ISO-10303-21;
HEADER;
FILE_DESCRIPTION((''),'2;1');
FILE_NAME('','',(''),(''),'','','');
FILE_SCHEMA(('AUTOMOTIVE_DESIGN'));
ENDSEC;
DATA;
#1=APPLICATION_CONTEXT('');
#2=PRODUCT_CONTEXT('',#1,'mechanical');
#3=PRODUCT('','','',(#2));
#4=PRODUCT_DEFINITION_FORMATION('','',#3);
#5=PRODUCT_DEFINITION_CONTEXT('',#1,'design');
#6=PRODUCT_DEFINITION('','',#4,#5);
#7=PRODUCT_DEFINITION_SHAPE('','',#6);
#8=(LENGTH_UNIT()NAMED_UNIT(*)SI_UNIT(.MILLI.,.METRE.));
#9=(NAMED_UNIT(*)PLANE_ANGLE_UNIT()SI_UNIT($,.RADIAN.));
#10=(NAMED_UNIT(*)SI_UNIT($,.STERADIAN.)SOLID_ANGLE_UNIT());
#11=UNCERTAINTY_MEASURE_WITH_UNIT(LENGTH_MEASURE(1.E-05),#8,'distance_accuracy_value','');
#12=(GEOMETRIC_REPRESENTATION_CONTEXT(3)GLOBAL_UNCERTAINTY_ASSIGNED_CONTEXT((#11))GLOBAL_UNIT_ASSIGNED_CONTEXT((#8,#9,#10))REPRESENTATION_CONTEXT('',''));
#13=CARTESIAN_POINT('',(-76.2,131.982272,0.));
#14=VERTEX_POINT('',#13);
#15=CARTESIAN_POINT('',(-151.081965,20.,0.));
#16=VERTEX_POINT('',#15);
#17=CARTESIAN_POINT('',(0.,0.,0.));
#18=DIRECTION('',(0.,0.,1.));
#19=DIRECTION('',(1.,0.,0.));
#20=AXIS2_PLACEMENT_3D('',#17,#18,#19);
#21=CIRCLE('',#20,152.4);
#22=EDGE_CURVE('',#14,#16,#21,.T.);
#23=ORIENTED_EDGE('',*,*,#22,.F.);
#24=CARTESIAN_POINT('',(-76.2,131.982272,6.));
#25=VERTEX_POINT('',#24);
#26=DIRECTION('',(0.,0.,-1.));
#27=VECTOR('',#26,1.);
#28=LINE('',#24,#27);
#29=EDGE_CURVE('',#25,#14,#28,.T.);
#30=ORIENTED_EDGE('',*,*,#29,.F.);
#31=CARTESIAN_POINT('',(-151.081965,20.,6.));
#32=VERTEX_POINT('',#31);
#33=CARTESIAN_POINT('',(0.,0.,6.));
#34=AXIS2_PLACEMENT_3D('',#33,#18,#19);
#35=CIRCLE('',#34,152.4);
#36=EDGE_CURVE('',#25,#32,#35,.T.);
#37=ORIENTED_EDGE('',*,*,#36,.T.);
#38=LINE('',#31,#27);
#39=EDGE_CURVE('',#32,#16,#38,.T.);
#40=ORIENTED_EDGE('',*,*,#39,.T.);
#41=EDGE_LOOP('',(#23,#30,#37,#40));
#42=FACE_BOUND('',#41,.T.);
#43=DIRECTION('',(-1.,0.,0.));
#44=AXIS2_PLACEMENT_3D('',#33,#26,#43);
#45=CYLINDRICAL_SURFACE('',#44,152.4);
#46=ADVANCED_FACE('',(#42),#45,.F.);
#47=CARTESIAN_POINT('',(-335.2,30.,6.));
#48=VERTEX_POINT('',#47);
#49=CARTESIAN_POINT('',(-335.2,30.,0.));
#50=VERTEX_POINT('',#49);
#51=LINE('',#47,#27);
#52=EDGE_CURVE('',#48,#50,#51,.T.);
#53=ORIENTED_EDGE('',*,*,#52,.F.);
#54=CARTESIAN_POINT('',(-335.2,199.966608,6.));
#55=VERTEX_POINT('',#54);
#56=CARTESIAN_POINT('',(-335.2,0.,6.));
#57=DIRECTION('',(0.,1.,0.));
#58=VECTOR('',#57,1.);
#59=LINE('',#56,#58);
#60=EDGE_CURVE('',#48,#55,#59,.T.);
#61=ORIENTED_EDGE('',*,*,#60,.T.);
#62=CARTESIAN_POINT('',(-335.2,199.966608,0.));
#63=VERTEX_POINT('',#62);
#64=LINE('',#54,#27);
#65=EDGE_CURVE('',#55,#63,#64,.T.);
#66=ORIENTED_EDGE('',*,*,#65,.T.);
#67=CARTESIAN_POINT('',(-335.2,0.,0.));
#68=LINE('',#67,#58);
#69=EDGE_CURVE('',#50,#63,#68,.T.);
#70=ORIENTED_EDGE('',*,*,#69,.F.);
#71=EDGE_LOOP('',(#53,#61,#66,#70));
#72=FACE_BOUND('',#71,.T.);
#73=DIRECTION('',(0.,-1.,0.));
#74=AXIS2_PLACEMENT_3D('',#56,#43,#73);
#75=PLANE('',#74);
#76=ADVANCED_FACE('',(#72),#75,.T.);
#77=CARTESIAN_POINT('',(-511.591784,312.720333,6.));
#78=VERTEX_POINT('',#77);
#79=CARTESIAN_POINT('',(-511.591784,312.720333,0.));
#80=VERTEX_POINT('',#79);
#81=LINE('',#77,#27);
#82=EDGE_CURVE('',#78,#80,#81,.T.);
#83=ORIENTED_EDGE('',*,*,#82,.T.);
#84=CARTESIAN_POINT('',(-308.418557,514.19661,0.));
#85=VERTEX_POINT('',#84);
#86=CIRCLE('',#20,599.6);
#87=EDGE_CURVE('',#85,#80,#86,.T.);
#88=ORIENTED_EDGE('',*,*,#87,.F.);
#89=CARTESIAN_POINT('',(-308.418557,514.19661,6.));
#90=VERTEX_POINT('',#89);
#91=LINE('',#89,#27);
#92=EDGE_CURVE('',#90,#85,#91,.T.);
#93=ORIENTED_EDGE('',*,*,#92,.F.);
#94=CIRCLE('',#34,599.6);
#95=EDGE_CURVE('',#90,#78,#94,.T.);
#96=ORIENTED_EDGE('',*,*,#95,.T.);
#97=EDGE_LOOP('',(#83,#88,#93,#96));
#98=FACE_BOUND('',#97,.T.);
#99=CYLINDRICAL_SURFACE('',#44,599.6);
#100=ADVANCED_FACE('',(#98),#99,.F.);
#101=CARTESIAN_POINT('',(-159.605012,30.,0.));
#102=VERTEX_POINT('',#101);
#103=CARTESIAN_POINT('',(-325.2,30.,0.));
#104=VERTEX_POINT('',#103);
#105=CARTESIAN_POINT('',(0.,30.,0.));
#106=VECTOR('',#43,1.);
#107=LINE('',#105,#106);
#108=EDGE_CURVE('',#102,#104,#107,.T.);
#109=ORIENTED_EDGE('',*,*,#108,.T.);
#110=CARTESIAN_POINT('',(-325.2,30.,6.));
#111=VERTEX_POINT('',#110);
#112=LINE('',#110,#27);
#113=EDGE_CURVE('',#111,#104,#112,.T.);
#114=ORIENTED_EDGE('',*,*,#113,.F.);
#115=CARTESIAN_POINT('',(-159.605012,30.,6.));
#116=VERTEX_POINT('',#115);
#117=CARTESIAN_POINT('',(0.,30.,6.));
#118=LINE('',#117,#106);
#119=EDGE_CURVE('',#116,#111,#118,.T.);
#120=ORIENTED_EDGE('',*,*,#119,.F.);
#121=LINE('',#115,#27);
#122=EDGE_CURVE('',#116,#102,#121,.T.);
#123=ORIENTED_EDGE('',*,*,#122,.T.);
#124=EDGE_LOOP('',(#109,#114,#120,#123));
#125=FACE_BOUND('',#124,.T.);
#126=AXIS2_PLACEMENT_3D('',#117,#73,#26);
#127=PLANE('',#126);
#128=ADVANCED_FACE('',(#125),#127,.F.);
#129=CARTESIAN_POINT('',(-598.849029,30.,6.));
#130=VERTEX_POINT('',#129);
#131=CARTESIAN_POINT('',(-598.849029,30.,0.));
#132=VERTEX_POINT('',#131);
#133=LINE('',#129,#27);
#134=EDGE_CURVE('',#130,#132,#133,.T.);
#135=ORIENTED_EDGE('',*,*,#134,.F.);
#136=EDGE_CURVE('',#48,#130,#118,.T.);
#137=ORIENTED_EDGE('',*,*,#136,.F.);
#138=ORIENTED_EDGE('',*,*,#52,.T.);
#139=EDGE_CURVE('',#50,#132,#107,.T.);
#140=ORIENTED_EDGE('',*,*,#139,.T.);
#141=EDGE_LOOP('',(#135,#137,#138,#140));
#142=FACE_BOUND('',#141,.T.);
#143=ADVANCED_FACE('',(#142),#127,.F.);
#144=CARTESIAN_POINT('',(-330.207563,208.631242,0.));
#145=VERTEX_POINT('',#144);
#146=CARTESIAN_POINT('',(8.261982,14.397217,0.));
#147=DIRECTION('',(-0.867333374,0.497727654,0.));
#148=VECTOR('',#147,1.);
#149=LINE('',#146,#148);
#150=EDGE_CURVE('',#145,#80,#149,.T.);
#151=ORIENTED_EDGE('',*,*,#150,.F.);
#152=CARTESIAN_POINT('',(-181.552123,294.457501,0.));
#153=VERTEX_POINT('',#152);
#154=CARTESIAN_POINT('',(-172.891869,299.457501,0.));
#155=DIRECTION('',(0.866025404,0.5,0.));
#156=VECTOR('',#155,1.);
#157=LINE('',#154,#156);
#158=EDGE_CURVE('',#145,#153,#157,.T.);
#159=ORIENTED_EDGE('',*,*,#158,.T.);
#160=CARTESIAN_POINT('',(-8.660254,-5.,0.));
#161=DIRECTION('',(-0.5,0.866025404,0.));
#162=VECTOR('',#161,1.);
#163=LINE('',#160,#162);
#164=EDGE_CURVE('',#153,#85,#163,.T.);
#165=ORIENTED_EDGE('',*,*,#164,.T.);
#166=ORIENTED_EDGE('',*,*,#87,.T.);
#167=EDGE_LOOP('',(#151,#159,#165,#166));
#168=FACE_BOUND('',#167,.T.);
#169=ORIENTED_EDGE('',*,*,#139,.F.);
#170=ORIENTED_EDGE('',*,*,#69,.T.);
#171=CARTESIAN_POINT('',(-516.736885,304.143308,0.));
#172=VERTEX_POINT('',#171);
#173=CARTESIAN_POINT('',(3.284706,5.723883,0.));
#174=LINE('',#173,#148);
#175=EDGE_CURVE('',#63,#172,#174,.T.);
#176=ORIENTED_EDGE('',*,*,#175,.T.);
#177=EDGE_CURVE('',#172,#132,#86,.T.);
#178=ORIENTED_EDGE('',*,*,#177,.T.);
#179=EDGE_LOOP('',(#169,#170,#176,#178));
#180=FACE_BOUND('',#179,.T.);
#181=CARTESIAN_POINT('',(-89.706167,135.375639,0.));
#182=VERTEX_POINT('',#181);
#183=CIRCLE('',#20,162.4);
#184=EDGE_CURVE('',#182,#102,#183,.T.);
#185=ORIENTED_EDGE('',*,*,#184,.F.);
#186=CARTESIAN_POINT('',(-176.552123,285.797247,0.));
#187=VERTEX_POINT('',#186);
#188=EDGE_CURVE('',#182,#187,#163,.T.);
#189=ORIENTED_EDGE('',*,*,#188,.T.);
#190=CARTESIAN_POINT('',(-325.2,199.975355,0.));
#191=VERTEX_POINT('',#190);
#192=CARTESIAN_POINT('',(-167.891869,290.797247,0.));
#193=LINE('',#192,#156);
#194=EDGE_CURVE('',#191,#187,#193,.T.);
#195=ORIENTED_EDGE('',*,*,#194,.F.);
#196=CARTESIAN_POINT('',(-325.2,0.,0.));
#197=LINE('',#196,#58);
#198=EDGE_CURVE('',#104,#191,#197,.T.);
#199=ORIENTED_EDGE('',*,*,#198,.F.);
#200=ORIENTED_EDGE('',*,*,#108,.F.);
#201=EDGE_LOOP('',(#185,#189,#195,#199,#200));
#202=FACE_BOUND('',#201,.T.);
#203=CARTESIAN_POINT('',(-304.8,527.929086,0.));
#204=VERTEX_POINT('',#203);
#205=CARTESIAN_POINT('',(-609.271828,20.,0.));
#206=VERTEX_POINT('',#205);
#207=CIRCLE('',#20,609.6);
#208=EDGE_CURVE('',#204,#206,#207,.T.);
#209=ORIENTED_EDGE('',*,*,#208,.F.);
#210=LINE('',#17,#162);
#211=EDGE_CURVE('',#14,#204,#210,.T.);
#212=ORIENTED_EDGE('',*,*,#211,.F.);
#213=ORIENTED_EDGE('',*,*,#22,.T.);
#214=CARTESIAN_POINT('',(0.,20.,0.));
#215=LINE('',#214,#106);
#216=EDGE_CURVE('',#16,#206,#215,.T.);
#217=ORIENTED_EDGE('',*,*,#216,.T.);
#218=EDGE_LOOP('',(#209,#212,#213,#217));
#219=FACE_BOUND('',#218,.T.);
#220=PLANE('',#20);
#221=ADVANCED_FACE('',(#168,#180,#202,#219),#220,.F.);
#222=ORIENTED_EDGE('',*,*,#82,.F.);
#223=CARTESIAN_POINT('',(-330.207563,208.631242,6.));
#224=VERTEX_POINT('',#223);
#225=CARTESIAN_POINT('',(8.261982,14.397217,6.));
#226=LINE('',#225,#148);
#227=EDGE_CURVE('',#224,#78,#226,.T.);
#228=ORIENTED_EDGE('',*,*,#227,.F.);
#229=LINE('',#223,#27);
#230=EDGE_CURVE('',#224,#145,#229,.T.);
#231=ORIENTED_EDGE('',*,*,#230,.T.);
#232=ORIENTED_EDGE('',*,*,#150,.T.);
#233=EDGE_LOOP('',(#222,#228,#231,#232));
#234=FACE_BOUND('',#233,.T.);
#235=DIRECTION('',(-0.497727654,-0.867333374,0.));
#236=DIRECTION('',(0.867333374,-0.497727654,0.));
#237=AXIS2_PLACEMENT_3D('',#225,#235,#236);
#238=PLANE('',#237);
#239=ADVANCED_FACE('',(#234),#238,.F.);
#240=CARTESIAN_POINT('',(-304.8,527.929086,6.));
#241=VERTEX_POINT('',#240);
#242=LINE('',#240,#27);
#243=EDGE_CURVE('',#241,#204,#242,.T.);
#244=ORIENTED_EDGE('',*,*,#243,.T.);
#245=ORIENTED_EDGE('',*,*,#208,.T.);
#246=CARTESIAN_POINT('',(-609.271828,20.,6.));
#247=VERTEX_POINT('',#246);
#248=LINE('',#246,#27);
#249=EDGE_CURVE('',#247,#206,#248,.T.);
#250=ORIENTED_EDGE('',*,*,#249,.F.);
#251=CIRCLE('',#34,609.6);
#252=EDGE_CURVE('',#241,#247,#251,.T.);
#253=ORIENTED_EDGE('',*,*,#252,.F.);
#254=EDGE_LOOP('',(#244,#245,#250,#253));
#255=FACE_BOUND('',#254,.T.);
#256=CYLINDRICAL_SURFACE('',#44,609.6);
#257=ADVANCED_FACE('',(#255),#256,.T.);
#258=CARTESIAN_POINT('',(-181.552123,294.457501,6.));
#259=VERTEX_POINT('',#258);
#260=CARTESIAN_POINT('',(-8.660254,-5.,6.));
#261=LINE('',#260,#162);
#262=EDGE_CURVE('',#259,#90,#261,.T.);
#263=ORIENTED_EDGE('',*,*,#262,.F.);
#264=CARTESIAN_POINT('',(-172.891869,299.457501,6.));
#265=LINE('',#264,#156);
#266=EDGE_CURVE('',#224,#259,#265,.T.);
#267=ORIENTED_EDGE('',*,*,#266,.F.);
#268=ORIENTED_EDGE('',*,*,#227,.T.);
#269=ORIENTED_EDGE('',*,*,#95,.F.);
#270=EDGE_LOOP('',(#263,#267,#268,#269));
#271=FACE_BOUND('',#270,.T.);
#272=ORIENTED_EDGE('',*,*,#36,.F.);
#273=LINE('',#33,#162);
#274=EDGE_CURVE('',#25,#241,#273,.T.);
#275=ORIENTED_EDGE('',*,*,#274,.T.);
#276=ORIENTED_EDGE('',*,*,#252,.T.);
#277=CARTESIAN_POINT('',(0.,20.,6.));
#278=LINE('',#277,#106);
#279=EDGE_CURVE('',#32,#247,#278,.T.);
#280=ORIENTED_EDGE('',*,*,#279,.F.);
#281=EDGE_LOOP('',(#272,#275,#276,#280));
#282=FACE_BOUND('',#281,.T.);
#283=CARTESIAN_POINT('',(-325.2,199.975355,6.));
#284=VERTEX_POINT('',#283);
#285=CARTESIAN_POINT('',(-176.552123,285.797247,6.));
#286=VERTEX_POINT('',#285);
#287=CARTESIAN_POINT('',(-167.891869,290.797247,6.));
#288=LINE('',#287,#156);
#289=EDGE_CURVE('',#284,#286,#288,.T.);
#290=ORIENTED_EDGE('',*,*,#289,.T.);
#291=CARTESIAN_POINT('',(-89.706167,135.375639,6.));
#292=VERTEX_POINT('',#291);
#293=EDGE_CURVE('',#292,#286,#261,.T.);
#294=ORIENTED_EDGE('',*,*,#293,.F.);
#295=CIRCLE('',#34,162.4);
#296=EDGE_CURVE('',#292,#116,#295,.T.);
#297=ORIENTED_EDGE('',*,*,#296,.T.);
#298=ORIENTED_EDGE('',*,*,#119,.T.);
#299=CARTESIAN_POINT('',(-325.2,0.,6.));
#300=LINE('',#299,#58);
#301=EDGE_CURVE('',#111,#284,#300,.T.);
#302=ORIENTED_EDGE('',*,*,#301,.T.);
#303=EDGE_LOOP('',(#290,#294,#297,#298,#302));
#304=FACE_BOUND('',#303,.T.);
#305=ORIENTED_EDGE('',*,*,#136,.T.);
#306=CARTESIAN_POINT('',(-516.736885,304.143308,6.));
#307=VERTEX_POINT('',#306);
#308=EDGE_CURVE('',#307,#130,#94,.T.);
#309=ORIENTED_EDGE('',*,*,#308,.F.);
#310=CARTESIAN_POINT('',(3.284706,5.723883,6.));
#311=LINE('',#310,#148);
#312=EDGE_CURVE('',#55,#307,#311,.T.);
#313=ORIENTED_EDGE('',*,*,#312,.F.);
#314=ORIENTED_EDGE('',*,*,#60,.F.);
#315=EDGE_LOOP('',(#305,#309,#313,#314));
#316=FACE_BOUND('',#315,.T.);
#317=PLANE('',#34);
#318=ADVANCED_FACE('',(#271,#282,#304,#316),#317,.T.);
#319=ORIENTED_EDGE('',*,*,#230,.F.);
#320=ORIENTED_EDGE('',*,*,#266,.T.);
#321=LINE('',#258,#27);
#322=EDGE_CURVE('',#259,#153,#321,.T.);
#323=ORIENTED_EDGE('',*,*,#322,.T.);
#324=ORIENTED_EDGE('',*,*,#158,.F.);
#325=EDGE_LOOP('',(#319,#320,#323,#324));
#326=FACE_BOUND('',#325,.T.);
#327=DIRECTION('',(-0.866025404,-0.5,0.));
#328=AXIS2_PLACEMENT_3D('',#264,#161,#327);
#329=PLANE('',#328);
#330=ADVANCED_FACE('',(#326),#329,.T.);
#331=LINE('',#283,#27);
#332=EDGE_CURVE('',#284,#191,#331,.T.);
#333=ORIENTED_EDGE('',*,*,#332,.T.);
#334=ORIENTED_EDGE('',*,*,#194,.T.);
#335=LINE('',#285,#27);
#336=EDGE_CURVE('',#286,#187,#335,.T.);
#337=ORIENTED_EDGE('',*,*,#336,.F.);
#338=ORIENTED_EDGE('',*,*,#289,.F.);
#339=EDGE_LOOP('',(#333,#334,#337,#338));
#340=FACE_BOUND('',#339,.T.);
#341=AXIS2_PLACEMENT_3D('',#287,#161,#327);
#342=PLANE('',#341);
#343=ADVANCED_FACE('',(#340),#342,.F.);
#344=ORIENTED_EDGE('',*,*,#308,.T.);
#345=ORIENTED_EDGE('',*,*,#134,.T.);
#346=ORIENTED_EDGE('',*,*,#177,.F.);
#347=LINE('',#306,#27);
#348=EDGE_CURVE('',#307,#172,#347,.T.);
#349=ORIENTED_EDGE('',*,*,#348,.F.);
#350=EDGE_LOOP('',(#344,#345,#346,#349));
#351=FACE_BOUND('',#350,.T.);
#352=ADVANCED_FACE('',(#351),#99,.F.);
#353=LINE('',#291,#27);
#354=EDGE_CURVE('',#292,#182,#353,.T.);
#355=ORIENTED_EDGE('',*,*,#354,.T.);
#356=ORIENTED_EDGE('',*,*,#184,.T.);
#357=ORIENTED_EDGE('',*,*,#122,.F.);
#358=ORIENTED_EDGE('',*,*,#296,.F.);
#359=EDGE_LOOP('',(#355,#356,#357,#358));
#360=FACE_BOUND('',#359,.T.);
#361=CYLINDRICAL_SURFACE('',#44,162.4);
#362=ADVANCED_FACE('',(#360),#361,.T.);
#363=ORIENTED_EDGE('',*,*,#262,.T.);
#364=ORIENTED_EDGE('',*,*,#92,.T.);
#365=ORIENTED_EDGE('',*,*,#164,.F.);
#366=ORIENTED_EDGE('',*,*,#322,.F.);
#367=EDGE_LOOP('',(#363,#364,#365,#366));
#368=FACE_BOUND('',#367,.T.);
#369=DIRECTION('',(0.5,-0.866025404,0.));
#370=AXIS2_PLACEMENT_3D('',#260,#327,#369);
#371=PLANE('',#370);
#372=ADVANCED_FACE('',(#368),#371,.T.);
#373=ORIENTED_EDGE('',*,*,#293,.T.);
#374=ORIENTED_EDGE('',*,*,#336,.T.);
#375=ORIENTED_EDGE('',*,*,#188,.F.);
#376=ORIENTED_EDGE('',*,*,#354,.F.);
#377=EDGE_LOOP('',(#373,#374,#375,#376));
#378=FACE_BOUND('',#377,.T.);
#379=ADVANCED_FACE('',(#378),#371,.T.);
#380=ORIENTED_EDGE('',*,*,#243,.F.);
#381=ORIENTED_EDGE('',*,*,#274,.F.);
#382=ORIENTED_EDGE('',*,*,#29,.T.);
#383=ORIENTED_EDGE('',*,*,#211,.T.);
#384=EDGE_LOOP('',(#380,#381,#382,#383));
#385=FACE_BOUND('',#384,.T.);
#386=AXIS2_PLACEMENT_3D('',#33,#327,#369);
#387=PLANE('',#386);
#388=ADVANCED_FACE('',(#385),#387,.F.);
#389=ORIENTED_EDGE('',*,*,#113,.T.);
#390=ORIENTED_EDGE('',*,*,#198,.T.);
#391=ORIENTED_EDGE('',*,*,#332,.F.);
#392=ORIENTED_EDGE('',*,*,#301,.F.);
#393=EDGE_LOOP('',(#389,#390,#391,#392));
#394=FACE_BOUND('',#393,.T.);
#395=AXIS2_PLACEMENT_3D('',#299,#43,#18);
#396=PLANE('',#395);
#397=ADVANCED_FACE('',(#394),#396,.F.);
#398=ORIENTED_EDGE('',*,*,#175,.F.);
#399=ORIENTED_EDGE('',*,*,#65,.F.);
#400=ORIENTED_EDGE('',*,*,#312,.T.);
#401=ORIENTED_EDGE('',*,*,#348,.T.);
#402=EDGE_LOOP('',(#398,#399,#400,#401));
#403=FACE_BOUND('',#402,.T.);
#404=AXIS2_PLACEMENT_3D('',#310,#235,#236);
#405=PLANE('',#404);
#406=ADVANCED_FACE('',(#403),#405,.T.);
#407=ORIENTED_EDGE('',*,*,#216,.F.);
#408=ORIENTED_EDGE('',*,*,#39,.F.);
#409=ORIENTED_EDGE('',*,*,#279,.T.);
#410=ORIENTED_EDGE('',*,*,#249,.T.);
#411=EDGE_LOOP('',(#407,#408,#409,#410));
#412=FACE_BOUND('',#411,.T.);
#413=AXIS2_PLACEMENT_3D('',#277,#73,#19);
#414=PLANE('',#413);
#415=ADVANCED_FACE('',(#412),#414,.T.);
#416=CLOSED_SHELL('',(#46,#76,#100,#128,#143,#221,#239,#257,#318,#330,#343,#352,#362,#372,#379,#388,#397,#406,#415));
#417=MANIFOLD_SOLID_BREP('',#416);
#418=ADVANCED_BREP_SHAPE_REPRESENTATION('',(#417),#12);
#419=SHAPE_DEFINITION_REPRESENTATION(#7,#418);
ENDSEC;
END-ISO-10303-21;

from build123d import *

# Parameters (mm, degrees)
BOSS_EXTRUDE1_DEPTH = 6


with BuildPart() as part:
    # Sketch1 → Boss-Extrude1 (new body)
    with BuildSketch(Plane.XY):
        with BuildLine():
            Line((-76.2, 131.982271537), (-304.8, 527.929086147))
            ThreePointArc((-304.8, 527.929086147), (-522.857356911, 313.420395513), (-609.271827676, 20))
            Line((-609.271827676, 20), (-151.081964509, 20))
            ThreePointArc((-151.081964509, 20), (-126.685753471, 84.714106662), (-76.2, 131.982271537))
        make_face()
        with BuildLine():
            Line((-335.2, 199.966608393), (-516.736885171, 304.143307511))
            ThreePointArc((-516.736885171, 304.143307511), (-574.388040835, 172.042258023), (-598.849029389, 30))
            Line((-598.849029389, 30), (-335.2, 30))
            Line((-335.2, 30), (-335.2, 199.966608393))
        make_face(mode=Mode.SUBTRACT)
        with BuildLine():
            Line((-330.207563047, 208.631242188), (-511.591783696, 312.720333293))
            ThreePointArc((-511.591783696, 312.720333293), (-422.199493266, 425.755502473), (-308.418556675, 514.196610158))
            Line((-308.418556675, 514.196610158), (-181.552122678, 294.457500701))
            Line((-181.552122678, 294.457500701), (-330.207563047, 208.631242188))
        make_face(mode=Mode.SUBTRACT)
        with BuildLine():
            Line((-89.706166951, 135.375638912), (-176.552122678, 285.797246663))
            Line((-176.552122678, 285.797246663), (-325.2, 199.975354677))
            Line((-325.2, 199.975354677), (-325.2, 30))
            Line((-325.2, 30), (-159.605012453, 30))
            ThreePointArc((-159.605012453, 30), (-135.333005446, 89.770471966), (-89.706166951, 135.375638912))
        make_face(mode=Mode.SUBTRACT)
    extrude(amount=BOSS_EXTRUDE1_DEPTH)


solid = part.part
